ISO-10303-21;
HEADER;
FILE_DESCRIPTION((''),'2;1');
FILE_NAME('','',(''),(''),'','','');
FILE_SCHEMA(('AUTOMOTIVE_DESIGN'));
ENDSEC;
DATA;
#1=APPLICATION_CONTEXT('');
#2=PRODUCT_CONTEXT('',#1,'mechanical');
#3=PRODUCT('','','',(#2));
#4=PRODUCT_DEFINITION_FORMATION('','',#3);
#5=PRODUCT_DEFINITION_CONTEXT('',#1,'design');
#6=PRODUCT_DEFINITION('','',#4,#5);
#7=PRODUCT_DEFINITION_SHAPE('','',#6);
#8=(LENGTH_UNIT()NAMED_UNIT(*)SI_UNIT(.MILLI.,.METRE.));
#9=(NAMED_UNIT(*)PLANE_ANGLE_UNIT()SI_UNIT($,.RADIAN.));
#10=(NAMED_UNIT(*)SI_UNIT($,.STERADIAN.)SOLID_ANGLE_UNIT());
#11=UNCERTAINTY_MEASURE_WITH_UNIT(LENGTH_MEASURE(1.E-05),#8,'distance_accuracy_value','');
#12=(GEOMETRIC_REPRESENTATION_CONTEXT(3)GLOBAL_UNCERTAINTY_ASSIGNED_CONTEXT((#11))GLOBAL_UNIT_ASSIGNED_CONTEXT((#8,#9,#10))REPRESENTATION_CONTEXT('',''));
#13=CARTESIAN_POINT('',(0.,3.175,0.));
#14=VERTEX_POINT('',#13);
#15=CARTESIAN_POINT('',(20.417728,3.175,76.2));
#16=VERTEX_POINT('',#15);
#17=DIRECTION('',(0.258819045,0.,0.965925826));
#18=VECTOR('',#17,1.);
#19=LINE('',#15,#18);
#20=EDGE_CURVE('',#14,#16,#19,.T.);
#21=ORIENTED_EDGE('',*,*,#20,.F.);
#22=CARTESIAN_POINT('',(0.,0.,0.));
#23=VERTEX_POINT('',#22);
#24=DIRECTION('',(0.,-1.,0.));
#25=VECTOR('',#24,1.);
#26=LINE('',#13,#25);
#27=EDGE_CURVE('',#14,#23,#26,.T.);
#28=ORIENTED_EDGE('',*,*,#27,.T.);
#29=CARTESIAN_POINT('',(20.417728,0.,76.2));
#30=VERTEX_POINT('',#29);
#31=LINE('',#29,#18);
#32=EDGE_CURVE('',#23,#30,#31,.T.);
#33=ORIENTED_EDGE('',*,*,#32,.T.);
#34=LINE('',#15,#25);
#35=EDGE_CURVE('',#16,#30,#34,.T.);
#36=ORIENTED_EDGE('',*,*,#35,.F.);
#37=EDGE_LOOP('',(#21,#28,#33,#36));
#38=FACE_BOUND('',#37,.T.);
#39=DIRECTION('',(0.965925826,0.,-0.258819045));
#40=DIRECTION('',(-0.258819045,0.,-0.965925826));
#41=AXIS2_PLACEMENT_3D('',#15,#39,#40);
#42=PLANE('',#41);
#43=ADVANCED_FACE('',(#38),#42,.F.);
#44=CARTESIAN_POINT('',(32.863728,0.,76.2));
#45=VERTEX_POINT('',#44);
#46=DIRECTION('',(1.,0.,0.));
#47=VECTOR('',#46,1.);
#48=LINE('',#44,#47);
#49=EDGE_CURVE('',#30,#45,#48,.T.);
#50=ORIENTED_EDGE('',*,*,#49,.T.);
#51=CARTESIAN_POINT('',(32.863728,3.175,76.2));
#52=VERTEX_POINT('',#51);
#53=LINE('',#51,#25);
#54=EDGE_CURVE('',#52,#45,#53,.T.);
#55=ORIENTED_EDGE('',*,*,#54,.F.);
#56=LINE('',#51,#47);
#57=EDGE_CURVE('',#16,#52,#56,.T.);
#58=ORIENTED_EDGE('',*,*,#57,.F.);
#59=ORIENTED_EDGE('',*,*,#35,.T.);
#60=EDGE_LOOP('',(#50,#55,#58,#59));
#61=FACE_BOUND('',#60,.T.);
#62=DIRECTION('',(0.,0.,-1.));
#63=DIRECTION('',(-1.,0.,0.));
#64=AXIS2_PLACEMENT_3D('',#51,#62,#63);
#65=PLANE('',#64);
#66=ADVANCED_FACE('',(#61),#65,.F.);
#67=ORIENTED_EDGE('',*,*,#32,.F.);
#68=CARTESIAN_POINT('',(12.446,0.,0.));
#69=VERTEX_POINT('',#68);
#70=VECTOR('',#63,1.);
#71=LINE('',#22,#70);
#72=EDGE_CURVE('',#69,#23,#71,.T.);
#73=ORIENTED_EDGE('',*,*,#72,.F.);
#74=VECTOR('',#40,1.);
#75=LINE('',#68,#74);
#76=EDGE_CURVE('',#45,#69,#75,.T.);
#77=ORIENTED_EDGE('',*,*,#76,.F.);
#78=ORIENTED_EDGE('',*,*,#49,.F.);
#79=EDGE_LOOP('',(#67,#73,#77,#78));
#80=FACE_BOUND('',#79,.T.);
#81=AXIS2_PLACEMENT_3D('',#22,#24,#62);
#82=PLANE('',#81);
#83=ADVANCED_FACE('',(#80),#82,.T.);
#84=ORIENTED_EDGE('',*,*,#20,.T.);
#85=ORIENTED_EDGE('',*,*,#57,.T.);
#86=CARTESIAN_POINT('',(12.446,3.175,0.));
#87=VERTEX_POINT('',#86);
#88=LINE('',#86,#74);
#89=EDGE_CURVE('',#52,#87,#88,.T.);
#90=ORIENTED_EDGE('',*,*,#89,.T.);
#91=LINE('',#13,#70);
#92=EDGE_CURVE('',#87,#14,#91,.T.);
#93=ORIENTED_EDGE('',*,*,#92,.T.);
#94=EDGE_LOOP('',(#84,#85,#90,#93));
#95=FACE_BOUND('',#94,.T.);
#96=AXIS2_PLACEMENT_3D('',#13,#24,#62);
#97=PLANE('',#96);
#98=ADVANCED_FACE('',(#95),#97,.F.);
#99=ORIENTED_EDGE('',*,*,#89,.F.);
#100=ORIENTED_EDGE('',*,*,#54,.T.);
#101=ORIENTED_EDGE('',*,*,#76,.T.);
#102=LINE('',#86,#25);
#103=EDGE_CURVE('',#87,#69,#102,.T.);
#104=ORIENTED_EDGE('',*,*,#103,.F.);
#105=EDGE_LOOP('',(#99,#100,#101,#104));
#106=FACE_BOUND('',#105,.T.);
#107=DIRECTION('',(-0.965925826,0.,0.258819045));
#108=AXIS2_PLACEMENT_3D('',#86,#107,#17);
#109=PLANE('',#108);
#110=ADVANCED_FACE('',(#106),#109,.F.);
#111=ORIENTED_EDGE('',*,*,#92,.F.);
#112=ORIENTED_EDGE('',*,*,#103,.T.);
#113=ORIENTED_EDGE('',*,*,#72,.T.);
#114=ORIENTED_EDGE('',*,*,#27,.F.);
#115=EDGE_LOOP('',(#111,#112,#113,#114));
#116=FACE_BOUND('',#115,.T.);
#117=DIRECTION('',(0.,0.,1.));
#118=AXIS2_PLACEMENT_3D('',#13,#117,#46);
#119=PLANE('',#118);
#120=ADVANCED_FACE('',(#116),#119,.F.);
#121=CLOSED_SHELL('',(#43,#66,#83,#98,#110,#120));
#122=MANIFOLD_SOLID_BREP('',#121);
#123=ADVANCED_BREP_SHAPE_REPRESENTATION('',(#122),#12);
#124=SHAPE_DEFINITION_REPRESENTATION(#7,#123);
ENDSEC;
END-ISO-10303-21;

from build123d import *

# Parameters (mm, degrees)
BOSS_EXTRUDE1_DEPTH = 3.175


with BuildPart() as part:
    # Sketch2 → Boss-Extrude1 (new body)
    with BuildSketch(Plane(origin=(0, 0, 0), x_dir=(1, 0, 0), z_dir=(0, 1, 0))):
        Polygon((0, 0), (12.446, 0), (32.863728463, -76.2), (20.417728463, -76.2), align=None)
    extrude(amount=BOSS_EXTRUDE1_DEPTH)


solid = part.part
